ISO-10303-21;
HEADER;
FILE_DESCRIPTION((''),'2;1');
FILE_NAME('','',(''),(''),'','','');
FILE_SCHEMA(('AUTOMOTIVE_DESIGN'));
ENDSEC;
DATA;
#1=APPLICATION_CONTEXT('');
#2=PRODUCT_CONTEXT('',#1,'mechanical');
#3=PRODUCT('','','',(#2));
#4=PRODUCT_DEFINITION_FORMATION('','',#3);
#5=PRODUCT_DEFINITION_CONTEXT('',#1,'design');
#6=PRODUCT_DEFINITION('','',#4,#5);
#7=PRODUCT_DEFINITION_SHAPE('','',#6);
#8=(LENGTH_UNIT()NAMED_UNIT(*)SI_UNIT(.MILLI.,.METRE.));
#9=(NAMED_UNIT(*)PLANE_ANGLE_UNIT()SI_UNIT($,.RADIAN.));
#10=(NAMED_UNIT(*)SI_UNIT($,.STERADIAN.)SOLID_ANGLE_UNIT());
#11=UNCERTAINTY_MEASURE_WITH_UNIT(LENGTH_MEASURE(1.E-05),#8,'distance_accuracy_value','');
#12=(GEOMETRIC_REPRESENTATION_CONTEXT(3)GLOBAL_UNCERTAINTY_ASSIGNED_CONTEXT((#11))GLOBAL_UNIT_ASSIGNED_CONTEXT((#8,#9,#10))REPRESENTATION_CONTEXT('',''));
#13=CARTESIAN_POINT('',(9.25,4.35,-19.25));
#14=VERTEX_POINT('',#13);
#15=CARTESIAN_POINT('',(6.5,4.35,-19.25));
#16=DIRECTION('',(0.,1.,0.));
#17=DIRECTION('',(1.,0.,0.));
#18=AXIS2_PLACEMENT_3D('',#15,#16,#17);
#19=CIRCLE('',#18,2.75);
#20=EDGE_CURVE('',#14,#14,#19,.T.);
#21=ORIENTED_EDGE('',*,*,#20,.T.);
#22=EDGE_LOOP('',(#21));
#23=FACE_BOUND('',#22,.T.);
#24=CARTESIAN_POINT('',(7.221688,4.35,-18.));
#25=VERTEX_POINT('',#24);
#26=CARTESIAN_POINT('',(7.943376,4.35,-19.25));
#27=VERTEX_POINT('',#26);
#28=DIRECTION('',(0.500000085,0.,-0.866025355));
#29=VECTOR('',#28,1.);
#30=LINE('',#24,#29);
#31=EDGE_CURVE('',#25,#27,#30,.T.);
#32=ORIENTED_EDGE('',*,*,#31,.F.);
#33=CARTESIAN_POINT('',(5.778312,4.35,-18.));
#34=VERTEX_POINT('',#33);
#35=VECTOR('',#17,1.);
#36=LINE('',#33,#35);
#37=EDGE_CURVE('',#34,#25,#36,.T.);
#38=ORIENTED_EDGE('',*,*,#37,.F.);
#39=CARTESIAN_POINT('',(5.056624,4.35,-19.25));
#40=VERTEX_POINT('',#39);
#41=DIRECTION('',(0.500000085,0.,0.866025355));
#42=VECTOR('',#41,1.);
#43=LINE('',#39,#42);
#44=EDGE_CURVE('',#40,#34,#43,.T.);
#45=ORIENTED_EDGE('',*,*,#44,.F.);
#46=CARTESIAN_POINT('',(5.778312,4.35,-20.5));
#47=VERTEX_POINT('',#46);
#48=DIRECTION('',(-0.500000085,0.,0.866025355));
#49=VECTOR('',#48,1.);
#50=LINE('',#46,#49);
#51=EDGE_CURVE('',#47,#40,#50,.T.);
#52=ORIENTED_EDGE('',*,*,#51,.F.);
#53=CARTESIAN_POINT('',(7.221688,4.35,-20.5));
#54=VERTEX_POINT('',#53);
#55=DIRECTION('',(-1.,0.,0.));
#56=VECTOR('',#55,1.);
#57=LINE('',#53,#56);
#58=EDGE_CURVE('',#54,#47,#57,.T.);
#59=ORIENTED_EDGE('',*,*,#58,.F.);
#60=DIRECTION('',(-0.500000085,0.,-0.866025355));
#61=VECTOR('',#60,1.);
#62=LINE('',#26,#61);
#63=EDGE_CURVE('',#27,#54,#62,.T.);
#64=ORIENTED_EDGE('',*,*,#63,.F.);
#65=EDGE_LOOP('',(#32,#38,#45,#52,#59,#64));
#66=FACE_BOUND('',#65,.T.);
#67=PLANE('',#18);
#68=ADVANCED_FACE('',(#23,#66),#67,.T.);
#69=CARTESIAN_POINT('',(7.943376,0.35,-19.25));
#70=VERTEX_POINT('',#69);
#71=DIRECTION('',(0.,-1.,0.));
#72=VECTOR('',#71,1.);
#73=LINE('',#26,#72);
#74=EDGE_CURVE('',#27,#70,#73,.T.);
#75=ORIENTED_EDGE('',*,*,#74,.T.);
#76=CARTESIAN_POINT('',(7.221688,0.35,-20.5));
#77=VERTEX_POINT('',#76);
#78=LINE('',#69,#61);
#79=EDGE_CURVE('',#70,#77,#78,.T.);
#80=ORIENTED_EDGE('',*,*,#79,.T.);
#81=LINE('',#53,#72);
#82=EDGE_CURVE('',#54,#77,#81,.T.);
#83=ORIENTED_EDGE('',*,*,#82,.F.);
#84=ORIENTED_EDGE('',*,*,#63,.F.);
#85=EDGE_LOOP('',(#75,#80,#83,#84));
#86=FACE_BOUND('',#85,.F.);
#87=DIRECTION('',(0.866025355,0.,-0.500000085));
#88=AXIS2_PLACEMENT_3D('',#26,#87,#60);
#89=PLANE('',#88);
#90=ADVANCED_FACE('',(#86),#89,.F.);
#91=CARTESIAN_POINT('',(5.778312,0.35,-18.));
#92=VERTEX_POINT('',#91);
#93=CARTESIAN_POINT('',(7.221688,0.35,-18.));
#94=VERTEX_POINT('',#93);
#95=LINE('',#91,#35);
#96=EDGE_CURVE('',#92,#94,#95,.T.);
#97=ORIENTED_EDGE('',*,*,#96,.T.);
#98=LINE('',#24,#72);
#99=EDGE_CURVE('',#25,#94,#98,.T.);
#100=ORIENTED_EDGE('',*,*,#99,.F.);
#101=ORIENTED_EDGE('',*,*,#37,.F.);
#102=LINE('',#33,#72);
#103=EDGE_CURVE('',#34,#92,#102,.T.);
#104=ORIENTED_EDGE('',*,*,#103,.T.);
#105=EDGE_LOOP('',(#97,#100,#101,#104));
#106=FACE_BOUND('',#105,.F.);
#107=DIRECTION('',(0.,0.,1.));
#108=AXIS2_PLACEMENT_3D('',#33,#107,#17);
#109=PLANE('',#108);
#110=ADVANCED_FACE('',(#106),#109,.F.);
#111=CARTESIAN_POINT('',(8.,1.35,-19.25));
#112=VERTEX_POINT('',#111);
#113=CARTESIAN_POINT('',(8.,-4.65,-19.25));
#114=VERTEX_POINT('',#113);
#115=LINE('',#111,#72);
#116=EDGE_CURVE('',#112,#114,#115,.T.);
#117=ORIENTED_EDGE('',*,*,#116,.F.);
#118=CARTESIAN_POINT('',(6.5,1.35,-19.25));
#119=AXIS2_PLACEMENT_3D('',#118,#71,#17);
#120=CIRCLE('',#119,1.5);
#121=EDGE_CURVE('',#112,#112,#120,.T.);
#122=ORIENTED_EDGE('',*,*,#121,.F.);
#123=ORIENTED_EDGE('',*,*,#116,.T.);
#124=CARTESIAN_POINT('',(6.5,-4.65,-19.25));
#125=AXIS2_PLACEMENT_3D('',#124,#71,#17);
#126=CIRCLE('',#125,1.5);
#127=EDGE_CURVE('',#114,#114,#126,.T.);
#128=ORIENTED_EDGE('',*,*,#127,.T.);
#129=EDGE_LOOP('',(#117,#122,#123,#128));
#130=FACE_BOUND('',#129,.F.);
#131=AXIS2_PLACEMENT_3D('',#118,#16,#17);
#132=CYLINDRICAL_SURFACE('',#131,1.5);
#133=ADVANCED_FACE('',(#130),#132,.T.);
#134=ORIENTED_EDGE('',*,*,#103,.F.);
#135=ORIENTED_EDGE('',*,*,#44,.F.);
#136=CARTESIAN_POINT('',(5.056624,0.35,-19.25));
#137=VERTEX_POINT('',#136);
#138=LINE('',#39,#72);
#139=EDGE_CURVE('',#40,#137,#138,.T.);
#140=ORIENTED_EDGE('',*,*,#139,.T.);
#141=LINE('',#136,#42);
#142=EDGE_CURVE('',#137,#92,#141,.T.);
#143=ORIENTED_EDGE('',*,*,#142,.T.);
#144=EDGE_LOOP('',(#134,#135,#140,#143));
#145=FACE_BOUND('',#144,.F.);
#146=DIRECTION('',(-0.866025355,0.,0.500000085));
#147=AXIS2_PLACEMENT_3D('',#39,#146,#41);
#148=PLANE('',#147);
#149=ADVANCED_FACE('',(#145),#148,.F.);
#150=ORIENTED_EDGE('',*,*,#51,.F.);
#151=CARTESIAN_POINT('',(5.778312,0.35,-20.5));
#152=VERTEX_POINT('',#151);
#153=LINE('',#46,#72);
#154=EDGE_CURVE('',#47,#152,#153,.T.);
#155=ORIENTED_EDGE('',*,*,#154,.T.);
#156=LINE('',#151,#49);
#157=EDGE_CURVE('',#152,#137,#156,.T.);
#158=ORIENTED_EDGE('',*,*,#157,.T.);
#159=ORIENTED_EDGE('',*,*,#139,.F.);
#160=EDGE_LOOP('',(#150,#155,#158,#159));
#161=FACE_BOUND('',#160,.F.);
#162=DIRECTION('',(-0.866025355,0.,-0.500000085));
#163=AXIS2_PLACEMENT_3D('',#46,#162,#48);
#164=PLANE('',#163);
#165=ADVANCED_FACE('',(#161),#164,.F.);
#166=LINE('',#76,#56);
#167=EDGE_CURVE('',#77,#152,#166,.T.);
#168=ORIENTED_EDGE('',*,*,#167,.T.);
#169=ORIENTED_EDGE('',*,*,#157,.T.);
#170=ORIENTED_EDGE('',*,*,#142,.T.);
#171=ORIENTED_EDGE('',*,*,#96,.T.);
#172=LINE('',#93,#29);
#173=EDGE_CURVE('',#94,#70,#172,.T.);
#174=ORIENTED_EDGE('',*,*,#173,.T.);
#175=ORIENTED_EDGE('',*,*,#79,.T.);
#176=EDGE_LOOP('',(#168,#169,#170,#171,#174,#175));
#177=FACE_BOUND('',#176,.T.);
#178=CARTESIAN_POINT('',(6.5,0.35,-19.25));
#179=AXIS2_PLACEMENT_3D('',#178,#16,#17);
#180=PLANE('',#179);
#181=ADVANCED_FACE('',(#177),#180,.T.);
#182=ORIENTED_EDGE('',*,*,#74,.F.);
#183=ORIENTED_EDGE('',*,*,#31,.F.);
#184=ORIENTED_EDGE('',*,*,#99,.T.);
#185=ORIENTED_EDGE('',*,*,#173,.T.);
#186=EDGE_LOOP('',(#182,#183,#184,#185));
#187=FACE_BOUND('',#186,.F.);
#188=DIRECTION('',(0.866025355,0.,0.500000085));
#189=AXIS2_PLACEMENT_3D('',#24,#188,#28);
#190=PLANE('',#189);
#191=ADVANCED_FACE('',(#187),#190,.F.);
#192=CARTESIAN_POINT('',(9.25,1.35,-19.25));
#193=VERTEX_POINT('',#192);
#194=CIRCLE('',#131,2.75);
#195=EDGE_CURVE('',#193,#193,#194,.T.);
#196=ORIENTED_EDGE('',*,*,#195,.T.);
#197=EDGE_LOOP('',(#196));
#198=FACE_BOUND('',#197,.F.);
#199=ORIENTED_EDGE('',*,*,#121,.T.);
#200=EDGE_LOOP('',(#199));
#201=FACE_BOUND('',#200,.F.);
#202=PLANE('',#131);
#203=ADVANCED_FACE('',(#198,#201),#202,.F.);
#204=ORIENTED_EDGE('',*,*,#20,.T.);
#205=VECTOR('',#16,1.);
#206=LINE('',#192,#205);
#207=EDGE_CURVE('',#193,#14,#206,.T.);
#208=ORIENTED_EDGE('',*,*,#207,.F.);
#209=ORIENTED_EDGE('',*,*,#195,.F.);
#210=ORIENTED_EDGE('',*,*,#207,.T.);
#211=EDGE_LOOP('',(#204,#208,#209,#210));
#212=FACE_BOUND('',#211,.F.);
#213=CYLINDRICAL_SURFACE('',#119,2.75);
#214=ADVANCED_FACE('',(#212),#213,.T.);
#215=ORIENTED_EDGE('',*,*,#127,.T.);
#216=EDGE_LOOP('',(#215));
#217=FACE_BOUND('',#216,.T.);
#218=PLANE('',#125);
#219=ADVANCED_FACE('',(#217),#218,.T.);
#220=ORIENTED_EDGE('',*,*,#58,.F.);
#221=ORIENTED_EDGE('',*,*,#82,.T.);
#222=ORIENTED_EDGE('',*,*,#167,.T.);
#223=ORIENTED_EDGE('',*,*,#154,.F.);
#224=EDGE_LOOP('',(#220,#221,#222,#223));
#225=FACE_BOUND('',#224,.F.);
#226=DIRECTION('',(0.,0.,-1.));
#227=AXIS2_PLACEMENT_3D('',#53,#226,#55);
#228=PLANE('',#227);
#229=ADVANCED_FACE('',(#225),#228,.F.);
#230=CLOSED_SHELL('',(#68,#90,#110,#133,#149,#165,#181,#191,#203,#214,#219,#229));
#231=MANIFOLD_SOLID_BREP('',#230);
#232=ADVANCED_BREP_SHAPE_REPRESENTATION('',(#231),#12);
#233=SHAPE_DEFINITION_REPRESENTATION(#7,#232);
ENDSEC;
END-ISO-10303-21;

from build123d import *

# Parameters (mm, degrees)
SKETCH001_R             = 2.75
PAD_DEPTH               = 3
SKETCH002_R             = 1.5
PAD001_DEPTH            = 6
POCKET_DEPTH            = 4
BODY001_PLACEMENT_ANGLE = 270


with BuildPart() as part:
    # Sketch001 → Pad (new body)
    with BuildSketch(Plane.XY):
        Circle(SKETCH001_R)
    extrude(amount=PAD_DEPTH)

    # Sketch002 (on Face2 of Pad) → Pad001 (join)
    with BuildSketch(Plane(origin=(0, 0, 0), x_dir=(1, 0, 0), z_dir=(0, 0, -1))):
        Circle(SKETCH002_R)
    extrude(amount=PAD001_DEPTH)

    # Sketch003 (on DatumPlane) → Pocket (cut)
    with BuildSketch(Plane.XY.offset(3)):
        Polygon((0.721688, -1.25), (1.443376, 0), (0.721688, 1.25), (-0.721688, 1.25), (-1.443376, 0), (-0.721688, -1.25), align=None)
    extrude(amount=-POCKET_DEPTH, mode=Mode.SUBTRACT)


with BuildPart() as part_1:
    # Body001 placement: moved
    add(part.part.moved(Location((6.5, 1.35, -19.25))).rotate(Axis((6.5, 1.35, -19.25), (1, 0, 0)), BODY001_PLACEMENT_ANGLE))


solid = part_1.part
